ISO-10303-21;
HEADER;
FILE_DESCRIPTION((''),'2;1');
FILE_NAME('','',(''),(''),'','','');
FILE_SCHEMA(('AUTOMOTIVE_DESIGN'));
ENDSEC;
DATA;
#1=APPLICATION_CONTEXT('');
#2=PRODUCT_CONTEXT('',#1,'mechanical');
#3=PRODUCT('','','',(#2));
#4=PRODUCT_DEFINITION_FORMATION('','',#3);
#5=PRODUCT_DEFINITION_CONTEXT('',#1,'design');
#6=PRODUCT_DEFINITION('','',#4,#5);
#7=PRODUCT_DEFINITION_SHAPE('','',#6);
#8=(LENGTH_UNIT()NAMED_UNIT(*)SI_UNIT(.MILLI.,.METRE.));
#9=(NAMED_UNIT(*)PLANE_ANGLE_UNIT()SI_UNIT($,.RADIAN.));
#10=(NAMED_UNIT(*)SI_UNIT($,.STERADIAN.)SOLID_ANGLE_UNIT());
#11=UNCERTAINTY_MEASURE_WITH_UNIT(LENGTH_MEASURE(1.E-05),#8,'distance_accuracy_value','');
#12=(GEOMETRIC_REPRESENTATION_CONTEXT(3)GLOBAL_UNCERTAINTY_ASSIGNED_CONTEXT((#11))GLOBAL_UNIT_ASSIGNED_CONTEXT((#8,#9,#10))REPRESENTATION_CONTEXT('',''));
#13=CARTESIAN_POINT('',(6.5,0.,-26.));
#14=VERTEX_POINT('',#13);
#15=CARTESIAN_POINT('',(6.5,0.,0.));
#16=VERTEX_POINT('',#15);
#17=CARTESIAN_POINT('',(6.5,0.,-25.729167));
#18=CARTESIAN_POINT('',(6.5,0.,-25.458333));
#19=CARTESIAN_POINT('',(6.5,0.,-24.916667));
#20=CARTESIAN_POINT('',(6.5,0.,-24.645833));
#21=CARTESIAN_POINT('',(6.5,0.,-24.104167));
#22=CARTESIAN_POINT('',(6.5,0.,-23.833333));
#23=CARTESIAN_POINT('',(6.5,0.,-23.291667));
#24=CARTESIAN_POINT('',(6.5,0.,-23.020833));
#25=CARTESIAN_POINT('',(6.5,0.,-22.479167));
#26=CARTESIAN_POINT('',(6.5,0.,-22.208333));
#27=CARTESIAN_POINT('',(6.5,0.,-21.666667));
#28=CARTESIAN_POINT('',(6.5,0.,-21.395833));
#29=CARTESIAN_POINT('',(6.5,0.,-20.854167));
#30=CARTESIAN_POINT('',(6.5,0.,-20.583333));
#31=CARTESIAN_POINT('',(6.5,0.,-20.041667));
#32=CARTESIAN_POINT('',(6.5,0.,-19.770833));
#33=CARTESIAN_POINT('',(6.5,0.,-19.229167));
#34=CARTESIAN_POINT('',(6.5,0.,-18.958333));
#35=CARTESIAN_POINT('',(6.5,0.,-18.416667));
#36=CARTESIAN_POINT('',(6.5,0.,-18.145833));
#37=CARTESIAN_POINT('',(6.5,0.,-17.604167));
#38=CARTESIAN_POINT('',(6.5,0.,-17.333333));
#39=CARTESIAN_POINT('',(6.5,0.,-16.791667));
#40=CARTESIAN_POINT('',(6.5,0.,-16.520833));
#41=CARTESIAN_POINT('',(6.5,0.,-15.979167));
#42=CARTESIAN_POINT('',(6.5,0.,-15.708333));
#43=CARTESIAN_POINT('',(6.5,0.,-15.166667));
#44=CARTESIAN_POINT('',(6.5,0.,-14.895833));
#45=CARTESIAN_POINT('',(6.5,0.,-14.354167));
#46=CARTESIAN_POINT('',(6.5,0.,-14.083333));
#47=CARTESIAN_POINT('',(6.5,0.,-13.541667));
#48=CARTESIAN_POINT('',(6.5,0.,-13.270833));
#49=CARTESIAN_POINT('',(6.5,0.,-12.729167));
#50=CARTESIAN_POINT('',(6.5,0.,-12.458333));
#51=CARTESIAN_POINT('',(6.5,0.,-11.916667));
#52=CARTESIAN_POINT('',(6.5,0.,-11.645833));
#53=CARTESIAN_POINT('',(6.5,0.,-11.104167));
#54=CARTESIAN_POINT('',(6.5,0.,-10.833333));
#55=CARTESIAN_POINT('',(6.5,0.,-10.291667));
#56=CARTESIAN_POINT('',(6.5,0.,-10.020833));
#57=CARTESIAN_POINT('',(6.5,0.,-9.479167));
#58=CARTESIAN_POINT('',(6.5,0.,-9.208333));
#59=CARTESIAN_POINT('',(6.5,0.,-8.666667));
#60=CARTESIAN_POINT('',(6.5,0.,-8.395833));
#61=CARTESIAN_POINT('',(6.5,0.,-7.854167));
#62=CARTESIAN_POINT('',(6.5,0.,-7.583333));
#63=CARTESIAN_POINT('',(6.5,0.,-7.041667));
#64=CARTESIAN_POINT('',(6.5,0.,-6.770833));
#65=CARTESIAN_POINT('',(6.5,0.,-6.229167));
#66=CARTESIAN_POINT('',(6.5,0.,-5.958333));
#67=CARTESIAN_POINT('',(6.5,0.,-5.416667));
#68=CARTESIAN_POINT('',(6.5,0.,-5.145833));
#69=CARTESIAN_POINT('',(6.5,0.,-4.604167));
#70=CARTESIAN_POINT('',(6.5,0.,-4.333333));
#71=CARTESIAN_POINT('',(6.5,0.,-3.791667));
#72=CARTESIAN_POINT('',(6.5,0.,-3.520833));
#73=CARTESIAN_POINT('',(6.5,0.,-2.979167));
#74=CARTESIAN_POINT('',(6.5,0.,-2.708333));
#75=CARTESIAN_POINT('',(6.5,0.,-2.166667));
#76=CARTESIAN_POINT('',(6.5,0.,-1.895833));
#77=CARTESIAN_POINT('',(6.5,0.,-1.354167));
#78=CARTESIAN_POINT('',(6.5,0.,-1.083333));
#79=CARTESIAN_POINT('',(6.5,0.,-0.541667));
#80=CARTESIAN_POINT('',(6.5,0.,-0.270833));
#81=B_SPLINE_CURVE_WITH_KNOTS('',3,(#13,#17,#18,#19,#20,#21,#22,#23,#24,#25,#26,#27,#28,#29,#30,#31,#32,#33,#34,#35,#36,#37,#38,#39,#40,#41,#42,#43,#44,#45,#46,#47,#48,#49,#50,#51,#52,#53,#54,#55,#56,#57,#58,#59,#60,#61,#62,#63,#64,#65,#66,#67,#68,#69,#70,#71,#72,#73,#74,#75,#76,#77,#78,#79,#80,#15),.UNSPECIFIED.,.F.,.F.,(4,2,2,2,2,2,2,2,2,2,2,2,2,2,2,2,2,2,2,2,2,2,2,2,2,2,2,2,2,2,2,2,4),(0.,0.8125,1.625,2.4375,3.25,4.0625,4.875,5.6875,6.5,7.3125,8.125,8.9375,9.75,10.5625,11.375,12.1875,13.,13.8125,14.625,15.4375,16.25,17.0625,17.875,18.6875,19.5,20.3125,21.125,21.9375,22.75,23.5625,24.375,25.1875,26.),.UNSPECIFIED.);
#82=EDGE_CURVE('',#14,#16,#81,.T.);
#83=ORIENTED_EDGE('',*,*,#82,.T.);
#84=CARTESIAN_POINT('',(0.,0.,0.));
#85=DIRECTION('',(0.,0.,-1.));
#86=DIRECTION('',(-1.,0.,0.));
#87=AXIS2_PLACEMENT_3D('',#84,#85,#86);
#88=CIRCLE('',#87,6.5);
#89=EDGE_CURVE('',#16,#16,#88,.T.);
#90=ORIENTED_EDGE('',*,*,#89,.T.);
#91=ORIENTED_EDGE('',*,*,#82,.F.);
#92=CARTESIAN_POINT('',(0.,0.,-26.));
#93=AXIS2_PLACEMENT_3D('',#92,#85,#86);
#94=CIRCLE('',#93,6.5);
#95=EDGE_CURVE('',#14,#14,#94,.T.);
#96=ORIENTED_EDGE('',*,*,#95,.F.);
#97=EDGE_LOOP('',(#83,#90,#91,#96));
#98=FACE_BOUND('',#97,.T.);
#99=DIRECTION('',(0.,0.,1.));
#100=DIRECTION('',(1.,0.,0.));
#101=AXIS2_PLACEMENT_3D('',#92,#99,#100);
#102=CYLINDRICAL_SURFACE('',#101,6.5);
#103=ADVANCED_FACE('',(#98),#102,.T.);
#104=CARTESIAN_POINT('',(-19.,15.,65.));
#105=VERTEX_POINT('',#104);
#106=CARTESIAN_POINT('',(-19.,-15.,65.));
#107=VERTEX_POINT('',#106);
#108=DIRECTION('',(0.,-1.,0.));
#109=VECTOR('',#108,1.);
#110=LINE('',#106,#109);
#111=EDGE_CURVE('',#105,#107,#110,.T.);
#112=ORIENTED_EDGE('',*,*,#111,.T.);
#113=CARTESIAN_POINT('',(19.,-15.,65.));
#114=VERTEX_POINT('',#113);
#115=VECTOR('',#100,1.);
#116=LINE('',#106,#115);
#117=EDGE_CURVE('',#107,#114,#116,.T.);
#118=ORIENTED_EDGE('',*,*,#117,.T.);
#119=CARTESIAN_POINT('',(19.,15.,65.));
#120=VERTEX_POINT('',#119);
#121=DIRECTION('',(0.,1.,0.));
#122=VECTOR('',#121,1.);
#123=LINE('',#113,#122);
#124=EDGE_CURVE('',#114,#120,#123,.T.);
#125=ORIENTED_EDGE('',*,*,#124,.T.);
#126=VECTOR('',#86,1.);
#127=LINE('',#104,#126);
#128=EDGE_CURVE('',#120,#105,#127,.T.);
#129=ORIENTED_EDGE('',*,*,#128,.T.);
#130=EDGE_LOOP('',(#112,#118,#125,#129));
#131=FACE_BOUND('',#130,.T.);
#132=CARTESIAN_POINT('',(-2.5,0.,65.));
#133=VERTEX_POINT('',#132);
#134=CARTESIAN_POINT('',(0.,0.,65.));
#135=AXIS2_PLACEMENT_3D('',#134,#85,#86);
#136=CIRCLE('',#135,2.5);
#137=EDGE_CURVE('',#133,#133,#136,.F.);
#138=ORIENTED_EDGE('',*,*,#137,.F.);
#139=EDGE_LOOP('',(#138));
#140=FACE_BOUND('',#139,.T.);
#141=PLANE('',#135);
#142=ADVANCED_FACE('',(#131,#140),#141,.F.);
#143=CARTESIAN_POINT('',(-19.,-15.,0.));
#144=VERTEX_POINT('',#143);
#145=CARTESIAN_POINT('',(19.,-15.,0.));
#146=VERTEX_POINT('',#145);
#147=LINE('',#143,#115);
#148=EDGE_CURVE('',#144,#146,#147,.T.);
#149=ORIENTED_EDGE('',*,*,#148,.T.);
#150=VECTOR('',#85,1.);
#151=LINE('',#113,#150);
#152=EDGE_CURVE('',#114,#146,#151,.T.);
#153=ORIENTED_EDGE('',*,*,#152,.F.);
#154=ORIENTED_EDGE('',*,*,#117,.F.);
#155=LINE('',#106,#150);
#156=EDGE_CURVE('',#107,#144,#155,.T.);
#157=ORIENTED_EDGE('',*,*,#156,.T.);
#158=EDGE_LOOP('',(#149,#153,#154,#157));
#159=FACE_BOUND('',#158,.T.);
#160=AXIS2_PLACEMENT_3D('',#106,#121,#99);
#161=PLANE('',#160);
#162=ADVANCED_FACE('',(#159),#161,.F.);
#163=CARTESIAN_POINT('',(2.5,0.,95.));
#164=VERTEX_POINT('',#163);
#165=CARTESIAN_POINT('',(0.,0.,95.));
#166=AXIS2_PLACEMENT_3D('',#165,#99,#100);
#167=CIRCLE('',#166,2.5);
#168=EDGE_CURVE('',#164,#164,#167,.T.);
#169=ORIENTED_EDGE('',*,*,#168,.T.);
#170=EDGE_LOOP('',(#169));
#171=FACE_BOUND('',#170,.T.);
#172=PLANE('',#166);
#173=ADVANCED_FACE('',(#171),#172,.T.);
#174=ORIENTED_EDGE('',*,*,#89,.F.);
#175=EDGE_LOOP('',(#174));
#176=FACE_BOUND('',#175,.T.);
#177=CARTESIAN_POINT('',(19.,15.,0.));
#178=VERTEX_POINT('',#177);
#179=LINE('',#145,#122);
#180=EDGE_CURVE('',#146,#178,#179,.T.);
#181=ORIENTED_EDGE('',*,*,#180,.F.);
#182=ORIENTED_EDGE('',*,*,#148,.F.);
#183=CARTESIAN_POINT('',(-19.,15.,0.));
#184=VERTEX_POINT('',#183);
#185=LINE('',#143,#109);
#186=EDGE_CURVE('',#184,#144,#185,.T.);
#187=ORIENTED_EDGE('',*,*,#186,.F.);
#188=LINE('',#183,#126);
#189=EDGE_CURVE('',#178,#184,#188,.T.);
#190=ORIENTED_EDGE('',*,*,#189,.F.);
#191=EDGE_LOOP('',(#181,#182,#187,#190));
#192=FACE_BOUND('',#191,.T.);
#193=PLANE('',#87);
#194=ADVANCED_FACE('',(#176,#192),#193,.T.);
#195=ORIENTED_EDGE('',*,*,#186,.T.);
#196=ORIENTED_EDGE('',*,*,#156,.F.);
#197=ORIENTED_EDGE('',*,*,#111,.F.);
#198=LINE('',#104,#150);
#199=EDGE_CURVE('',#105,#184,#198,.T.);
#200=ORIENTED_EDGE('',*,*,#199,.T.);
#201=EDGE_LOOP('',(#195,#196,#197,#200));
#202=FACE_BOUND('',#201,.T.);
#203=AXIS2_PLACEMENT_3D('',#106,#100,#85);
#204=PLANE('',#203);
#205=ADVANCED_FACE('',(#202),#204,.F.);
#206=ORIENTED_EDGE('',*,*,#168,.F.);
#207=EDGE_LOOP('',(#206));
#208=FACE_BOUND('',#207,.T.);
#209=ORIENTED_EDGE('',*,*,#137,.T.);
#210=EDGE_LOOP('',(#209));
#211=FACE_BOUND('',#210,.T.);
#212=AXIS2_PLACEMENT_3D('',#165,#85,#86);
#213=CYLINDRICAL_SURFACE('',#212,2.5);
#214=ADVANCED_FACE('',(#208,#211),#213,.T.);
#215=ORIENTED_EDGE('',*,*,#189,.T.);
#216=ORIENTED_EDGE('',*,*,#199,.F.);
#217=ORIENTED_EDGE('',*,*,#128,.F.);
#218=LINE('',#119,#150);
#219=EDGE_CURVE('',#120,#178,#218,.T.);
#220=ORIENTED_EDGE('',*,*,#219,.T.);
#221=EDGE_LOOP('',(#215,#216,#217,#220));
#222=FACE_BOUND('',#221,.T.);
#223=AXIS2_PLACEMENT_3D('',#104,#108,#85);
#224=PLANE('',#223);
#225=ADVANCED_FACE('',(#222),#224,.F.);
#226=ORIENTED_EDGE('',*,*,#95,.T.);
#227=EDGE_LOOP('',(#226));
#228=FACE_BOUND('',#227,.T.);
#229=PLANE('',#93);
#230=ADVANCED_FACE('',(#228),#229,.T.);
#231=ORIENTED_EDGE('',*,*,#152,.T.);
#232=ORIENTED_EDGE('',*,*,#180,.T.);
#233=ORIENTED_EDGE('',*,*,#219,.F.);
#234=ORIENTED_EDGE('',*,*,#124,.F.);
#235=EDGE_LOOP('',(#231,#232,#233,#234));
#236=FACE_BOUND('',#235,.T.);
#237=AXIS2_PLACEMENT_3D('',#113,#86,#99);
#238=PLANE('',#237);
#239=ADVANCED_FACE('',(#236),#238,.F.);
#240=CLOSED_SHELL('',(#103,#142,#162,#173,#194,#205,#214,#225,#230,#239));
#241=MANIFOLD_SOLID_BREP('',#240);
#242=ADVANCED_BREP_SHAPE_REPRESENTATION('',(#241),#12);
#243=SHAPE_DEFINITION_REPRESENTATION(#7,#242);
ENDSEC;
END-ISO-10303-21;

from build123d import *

# Parameters (mm, degrees)
SKETCH1_W           = 38
SKETCH1_H           = 30
BOSS_EXTRUDE1_DEPTH = 65
SKETCH2_R           = 2.5
BOSS_EXTRUDE2_DEPTH = 30
SKETCH3_R           = 6.5
BOSS_EXTRUDE3_DEPTH = 26


with BuildPart() as part:
    # Sketch1 → Boss-Extrude1 (new body)
    with BuildSketch(Plane.XY):
        Rectangle(SKETCH1_W, SKETCH1_H)
    extrude(amount=BOSS_EXTRUDE1_DEPTH)

    # Sketch2 → Boss-Extrude2 (add)
    with BuildSketch(Plane.XY.offset(65)):
        with Locations(Location((0, 0, 0), (0, 0, 180))):
            Circle(SKETCH2_R)
    extrude(amount=BOSS_EXTRUDE2_DEPTH)

    # Sketch3 → Boss-Extrude3 (add)
    with BuildSketch(Plane(origin=(0, 0, 0), x_dir=(-1, 0, 0), z_dir=(0, 0, -1))):
        with Locations(Location((0, 0, 0), (0, 0, 180))):
            Circle(SKETCH3_R)
    extrude(amount=BOSS_EXTRUDE3_DEPTH)


solid = part.part
